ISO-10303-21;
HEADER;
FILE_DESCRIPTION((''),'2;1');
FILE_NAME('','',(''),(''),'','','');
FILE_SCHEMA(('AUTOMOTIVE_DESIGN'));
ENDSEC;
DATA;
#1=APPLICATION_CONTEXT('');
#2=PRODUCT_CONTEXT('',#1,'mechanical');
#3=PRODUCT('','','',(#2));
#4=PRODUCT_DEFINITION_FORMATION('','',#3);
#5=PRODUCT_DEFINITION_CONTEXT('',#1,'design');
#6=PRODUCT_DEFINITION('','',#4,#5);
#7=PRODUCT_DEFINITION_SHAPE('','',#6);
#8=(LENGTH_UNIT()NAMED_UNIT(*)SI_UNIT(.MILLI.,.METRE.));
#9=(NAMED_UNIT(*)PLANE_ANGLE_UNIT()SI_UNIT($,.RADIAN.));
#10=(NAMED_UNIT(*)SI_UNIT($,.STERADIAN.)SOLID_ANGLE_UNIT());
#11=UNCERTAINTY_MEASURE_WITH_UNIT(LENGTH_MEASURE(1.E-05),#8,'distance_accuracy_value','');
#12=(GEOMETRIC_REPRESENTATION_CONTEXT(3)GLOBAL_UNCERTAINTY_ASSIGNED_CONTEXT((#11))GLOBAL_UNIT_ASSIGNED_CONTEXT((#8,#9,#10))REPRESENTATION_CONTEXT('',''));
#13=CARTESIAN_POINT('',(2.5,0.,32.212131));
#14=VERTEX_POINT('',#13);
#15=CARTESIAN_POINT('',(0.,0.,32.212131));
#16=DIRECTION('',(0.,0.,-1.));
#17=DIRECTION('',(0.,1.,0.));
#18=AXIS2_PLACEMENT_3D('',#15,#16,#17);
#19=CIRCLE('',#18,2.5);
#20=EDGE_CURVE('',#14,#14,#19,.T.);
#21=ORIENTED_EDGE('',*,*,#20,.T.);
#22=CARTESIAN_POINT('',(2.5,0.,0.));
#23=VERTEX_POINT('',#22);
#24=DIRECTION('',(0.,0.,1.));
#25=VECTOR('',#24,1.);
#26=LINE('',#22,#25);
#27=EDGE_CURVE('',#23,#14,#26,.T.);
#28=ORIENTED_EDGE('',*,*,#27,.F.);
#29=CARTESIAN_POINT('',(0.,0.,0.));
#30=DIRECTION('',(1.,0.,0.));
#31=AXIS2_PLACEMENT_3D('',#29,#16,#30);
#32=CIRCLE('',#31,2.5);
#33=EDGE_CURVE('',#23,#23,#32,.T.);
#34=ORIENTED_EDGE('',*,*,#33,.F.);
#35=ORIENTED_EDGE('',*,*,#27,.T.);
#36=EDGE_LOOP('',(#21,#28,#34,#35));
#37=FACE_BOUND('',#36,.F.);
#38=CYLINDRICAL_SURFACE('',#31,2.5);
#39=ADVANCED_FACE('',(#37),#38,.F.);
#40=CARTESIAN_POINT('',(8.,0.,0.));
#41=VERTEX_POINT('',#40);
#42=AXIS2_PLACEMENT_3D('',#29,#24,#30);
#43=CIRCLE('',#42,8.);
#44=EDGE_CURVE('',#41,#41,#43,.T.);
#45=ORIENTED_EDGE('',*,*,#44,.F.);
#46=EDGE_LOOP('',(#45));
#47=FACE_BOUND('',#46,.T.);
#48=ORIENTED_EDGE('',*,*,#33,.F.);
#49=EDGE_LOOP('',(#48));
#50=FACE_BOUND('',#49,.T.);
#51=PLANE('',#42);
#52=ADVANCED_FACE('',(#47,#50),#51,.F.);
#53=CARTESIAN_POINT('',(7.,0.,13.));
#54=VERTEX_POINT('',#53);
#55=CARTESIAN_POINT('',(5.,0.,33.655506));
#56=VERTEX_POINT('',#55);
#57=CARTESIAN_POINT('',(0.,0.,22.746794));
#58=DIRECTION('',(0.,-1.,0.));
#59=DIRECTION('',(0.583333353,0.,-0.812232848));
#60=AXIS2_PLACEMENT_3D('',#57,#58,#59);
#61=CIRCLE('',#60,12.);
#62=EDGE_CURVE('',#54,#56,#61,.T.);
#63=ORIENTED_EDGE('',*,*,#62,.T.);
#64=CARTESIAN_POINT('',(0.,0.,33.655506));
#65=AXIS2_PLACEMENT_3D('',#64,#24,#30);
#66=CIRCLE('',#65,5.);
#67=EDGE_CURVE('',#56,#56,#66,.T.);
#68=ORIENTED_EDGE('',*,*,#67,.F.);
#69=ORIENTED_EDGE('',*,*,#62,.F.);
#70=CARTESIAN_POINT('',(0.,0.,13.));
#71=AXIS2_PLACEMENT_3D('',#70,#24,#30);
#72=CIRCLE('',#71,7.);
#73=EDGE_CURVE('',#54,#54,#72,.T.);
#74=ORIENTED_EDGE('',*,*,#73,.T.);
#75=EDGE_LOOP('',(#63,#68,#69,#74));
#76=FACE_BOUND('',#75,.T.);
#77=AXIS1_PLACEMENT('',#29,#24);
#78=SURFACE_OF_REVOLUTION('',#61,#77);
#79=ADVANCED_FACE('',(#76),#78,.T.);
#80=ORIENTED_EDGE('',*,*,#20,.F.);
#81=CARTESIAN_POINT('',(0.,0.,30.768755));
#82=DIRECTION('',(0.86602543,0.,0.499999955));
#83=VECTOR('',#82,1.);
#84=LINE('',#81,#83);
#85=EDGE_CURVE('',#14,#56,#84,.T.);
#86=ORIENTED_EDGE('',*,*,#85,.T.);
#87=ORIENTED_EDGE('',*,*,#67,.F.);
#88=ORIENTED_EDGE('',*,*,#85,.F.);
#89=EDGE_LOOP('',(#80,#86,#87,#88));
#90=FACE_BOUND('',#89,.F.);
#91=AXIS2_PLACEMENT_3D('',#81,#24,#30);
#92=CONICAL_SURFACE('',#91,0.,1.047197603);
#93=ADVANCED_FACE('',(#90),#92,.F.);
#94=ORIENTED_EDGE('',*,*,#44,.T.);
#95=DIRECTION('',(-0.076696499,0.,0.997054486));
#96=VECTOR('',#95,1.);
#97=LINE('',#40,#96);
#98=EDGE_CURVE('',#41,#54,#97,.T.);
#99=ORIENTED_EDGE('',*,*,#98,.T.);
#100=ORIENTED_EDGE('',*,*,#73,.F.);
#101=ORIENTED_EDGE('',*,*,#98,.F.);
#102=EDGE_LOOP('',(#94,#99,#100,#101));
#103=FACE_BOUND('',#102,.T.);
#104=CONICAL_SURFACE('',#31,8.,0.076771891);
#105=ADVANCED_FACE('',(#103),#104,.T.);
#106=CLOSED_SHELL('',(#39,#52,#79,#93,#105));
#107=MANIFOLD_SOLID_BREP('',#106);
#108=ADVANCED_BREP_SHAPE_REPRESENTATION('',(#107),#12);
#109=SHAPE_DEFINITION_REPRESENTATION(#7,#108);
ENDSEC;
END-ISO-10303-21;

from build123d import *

# Parameters (mm, degrees)
SKETCH001_R  = 2.5
POCKET_DEPTH = 33.656506


with BuildPart() as part:
    # Sketch → Revolution (revolve)
    with BuildSketch(Plane.XZ):
        with BuildLine():
            Line((0, 0), (8, 0))
            Line((8, 0), (7, 13))
            ThreePointArc((7, 13), (11.94414, 23.903303), (5, 33.655506))
            Line((0, 30.768755), (5, 33.655506))
            Line((0, 30.768755), (0, 0))
        make_face()
    revolve(axis=Axis((0, 0, 0), (0, 0, 1)))

    # Sketch001 (on Face1 of Revolution) → Pocket (cut, through all)
    with BuildSketch(Plane(origin=(0, 0, 0), x_dir=(1, 0, 0), z_dir=(0, 0, -1))):
        Circle(SKETCH001_R)
    extrude(amount=-POCKET_DEPTH, mode=Mode.SUBTRACT)


solid = part.part
